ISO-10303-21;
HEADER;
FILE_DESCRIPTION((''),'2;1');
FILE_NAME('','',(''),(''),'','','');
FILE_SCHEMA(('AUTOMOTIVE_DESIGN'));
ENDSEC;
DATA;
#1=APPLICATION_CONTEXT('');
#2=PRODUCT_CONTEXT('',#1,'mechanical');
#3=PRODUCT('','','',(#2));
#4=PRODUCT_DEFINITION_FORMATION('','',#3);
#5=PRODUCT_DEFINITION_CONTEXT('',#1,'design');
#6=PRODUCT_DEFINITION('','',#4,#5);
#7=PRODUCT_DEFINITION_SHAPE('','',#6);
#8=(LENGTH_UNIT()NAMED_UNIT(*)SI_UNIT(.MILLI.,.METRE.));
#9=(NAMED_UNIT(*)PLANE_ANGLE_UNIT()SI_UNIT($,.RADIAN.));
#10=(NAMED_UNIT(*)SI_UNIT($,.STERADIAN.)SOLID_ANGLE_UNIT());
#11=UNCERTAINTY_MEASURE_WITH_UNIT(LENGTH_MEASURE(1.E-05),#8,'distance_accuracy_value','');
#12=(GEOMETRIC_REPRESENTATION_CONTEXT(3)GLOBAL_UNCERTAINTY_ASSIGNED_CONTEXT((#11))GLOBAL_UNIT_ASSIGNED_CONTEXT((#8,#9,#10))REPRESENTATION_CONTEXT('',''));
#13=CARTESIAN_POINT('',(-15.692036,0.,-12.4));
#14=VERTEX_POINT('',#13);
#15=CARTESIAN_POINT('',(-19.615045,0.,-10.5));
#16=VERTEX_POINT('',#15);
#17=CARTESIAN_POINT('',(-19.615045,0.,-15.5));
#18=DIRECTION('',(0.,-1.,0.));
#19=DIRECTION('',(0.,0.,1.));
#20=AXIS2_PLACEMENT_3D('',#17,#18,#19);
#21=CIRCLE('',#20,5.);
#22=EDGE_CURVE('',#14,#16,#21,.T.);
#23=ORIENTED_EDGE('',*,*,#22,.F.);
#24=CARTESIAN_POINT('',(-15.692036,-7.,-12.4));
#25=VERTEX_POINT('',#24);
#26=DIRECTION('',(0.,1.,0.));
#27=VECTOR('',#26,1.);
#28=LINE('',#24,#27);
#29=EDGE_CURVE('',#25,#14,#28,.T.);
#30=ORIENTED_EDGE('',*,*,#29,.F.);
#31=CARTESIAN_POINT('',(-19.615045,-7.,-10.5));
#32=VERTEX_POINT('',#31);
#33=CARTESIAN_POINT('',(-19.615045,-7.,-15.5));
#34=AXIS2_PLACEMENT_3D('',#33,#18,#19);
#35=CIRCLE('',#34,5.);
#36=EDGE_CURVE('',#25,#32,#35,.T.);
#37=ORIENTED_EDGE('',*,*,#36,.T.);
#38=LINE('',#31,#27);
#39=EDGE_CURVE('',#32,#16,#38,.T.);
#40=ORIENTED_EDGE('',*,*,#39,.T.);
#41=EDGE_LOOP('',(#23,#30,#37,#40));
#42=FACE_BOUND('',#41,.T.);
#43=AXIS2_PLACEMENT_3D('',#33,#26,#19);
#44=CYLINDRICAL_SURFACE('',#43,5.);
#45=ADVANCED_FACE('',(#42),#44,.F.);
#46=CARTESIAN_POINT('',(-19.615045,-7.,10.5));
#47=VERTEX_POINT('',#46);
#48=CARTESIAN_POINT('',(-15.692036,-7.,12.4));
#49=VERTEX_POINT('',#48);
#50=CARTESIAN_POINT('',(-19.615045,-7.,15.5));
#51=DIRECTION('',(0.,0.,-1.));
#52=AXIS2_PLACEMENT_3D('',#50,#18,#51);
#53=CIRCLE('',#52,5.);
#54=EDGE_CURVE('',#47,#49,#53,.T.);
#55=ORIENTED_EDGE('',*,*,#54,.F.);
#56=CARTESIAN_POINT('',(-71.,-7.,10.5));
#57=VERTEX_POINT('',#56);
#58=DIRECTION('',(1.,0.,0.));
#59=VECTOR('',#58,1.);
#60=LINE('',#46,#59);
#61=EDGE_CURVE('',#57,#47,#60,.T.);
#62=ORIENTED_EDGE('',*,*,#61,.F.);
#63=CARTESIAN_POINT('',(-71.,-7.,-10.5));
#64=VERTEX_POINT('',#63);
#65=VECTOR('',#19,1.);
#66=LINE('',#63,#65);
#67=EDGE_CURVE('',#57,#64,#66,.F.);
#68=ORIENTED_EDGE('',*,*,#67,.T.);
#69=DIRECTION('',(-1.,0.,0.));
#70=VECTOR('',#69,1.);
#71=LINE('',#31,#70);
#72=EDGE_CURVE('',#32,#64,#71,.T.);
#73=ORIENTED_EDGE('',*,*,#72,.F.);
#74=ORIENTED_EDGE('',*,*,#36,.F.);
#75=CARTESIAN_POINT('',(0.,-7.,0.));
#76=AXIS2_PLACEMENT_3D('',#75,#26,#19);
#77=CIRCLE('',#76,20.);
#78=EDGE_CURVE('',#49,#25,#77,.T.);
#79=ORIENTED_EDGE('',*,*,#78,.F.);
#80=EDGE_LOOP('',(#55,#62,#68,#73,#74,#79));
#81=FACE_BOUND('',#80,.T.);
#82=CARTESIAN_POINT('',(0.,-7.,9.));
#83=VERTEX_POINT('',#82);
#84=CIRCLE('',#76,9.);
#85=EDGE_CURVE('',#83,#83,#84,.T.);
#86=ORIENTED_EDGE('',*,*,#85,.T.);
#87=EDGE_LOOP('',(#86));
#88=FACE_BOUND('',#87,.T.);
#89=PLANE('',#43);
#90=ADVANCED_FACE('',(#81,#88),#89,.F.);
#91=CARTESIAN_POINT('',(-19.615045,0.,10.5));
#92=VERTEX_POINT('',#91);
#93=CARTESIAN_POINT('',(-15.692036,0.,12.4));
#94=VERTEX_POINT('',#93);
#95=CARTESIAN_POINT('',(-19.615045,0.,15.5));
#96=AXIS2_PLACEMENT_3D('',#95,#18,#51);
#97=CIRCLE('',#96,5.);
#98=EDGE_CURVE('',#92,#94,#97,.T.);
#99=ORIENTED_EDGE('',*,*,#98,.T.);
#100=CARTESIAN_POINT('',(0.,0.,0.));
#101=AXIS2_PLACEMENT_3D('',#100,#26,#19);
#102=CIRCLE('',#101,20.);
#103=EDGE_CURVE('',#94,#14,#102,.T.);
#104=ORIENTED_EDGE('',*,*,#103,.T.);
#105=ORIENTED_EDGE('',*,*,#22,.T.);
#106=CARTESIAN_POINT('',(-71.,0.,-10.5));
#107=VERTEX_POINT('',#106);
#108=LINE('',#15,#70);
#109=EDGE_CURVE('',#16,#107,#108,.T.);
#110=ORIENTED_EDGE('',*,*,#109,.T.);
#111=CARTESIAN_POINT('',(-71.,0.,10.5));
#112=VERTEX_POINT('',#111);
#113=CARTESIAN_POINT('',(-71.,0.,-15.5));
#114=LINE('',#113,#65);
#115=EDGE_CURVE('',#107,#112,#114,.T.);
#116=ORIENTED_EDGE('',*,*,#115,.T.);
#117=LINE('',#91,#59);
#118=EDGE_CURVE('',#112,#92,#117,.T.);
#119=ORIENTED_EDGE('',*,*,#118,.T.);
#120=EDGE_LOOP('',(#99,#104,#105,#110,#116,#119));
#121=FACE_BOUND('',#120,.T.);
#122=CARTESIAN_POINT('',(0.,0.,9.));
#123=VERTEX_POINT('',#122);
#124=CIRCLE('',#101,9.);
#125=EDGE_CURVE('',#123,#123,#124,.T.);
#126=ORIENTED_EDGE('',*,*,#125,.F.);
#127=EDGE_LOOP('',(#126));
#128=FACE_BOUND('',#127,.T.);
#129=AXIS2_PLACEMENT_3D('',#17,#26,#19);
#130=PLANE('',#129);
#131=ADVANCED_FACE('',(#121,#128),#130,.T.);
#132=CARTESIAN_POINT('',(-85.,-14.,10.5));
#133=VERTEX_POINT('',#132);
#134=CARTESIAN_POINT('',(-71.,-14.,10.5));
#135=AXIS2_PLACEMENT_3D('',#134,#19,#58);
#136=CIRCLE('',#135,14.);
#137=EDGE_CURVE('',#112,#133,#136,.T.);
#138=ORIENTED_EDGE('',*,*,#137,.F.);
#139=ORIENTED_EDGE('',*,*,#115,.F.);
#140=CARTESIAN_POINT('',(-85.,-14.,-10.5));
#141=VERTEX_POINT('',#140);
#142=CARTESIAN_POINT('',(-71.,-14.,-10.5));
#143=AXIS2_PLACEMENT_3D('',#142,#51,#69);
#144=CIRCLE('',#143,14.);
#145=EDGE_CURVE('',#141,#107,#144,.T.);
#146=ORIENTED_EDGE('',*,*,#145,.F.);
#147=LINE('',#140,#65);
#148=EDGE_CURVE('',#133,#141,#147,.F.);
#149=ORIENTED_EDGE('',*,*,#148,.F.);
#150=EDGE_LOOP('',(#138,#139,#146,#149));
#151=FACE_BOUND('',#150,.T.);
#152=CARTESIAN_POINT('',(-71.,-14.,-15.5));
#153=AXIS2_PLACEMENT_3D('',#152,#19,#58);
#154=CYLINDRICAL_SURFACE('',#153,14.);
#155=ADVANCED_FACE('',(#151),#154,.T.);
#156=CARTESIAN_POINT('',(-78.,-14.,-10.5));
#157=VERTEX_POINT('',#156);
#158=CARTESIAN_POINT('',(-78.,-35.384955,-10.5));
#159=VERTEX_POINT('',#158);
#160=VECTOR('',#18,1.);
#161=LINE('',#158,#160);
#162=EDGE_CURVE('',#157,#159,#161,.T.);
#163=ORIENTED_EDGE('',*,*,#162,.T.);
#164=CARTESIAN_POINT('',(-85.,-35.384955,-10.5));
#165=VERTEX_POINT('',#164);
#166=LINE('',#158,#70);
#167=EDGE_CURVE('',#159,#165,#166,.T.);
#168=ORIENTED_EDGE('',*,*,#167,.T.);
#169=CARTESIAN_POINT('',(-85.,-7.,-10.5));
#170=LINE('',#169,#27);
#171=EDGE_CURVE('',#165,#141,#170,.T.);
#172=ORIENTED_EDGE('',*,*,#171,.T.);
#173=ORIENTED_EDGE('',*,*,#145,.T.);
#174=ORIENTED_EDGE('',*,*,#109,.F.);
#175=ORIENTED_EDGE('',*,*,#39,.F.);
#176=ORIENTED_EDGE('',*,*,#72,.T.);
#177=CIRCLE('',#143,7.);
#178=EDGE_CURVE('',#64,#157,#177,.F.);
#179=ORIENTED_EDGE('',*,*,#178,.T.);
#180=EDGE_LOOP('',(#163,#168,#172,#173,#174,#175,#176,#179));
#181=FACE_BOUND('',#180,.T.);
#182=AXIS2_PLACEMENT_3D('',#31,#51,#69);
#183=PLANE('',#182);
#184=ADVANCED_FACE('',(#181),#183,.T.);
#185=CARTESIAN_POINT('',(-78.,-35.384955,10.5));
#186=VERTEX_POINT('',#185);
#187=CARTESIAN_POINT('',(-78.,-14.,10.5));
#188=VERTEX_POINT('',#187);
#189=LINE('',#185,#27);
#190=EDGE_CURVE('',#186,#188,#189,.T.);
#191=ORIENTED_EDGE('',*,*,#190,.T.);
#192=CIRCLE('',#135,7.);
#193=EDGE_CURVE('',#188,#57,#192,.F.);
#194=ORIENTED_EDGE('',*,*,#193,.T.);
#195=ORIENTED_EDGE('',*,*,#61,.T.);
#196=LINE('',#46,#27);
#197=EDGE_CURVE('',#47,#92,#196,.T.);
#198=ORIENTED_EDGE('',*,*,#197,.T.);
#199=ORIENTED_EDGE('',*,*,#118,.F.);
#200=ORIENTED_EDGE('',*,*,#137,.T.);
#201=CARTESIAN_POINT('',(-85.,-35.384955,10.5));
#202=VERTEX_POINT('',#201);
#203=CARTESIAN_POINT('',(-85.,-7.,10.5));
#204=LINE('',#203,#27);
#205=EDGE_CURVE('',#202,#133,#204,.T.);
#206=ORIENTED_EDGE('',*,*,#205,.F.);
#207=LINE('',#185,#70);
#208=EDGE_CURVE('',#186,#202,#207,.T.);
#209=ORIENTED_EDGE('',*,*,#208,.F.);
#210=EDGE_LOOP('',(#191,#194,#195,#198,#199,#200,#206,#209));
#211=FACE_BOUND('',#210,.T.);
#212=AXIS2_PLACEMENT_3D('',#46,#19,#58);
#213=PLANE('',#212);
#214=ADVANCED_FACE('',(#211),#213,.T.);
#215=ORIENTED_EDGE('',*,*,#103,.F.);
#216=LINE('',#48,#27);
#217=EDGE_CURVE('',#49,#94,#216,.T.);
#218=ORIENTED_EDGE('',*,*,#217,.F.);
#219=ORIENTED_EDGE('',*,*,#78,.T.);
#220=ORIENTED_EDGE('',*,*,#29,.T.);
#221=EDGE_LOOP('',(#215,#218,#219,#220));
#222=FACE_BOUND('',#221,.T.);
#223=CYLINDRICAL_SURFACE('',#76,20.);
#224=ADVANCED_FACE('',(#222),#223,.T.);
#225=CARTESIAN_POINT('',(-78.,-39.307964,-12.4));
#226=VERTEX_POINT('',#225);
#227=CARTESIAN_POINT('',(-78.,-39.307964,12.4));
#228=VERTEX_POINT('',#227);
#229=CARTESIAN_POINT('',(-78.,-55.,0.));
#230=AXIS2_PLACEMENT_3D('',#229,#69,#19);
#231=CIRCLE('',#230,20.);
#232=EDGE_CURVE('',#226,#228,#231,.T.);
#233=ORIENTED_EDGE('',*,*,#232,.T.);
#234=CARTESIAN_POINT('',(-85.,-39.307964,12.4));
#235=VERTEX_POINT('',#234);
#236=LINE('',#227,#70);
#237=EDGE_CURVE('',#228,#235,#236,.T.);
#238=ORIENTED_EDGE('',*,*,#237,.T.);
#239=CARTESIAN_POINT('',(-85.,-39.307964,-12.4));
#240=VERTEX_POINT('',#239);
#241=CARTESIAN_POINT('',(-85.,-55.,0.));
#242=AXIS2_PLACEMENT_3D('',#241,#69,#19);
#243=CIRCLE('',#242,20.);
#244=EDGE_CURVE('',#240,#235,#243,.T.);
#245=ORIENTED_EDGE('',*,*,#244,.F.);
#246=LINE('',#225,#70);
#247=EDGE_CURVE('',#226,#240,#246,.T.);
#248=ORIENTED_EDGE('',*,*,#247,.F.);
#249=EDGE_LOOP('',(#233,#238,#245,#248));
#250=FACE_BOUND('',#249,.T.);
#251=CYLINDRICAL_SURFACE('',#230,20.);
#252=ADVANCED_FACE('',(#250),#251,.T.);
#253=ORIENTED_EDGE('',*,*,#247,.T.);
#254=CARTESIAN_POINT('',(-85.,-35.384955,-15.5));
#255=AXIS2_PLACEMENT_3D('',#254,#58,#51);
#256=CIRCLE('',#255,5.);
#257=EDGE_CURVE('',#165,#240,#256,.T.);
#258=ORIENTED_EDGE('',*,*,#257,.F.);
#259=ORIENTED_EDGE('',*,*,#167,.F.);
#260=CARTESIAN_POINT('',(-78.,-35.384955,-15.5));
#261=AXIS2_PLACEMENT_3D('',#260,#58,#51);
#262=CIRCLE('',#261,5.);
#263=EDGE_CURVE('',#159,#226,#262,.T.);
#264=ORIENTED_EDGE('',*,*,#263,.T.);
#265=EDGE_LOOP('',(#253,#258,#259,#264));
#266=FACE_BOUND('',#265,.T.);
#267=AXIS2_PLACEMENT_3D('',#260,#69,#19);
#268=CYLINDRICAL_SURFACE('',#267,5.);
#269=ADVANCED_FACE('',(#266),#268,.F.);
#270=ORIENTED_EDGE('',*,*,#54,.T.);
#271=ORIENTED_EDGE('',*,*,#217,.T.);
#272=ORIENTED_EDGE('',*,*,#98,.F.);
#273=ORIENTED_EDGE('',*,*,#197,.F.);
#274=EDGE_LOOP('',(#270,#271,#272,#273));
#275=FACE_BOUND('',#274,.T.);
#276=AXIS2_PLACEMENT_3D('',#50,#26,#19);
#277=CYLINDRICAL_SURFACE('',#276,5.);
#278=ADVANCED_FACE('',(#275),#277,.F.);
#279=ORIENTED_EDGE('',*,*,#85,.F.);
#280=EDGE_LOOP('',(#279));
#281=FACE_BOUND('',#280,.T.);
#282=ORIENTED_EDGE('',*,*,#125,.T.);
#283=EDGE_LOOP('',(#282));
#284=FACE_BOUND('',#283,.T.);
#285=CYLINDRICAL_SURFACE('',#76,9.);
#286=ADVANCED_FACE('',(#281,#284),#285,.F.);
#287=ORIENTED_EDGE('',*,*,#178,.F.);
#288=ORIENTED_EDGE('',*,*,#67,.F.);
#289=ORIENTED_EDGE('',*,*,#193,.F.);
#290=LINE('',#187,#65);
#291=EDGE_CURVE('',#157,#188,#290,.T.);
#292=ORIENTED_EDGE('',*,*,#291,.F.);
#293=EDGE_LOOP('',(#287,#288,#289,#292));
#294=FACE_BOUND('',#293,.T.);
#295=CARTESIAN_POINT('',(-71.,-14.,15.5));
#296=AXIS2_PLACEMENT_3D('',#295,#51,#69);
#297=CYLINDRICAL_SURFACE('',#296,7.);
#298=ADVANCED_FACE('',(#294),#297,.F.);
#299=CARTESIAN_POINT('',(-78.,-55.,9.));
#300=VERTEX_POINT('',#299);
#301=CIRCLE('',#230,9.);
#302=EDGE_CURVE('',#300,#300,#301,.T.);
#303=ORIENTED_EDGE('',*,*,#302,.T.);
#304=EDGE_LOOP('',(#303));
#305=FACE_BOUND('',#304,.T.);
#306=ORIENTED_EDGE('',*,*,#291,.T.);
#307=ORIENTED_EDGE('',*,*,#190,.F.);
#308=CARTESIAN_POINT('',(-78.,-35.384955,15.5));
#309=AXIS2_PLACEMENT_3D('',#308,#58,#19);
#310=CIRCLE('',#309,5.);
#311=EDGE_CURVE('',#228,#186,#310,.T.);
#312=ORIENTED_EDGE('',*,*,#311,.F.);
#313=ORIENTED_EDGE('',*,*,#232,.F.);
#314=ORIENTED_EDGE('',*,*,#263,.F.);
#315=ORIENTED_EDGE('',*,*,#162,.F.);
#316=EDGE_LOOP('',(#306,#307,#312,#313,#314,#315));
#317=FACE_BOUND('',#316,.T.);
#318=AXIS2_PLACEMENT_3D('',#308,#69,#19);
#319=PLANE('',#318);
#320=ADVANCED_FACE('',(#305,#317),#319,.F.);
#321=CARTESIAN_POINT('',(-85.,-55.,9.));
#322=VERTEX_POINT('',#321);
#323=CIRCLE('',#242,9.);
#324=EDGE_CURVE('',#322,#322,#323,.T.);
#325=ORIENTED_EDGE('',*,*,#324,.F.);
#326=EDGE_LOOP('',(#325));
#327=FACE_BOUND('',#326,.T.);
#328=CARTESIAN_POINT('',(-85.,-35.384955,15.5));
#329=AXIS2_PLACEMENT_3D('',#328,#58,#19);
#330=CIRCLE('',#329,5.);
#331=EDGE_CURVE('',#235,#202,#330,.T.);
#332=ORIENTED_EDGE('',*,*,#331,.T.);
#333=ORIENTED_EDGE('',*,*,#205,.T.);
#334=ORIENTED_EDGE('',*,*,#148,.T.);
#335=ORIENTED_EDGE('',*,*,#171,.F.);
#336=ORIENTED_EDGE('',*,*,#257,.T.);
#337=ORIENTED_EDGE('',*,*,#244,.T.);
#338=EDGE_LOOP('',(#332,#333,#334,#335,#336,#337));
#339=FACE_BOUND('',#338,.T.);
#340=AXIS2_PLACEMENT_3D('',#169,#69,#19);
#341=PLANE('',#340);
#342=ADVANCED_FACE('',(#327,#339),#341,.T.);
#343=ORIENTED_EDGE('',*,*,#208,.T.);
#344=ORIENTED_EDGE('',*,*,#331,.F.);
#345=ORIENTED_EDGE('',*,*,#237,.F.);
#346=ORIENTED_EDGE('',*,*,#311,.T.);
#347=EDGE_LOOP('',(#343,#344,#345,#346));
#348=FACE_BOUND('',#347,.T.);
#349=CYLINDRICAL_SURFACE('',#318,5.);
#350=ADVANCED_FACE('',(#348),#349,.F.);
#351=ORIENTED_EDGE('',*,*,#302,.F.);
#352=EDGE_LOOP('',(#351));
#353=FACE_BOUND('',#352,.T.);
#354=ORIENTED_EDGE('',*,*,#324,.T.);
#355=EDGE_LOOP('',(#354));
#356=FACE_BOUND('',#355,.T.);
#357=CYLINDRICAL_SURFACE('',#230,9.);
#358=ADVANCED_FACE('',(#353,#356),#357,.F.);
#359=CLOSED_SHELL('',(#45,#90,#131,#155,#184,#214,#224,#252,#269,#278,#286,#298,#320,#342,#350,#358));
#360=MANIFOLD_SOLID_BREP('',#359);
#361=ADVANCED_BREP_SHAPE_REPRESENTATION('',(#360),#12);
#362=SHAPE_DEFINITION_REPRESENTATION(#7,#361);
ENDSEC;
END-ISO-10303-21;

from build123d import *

# Parameters (mm, degrees)
SKETCH1_R           = 9
BOSS_EXTRUDE1_DEPTH = 7
BOSS_EXTRUDE2_START = 85
SKETCH2_R           = 9
BOSS_EXTRUDE2_DEPTH = 7
FILLET1_R           = 14
FILLET2_R           = 7


with BuildPart() as part:
    # Sketch1 → Boss-Extrude1 (new body)
    with BuildSketch(Plane(origin=(0, 0, 0), x_dir=(1, 0, 0), z_dir=(0, 1, 0))):
        with BuildLine():
            Line((-19.615045246, 10.5), (-85, 10.5))
            Line((-85, 10.5), (-85, -10.5))
            Line((-85, -10.5), (-19.615045246, -10.5))
            ThreePointArc((-19.615045246, -10.5), (-17.435595774, -11), (-15.692036197, -12.4))
            ThreePointArc((-15.692036197, -12.4), (20, 0), (-15.692036197, 12.4))
            ThreePointArc((-15.692036197, 12.4), (-17.435595774, 11), (-19.615045246, 10.5))
        make_face()
        with Locations(Location((0, 0, 0), (0, 0, 270))):
            Circle(SKETCH1_R, mode=Mode.SUBTRACT)
    extrude(amount=-BOSS_EXTRUDE1_DEPTH)

    # Sketch2 → Boss-Extrude2 (add)
    with BuildSketch(Plane(origin=(0, -33.238764045, -33.238764045), x_dir=(0, -1, 0), z_dir=(-1, 0, 0)).offset(BOSS_EXTRUDE2_START)):
        with BuildLine():
            Line((2.146190709, 43.738764045), (-33.238764045, 43.738764045))
            Line((-33.238764045, 43.738764045), (-33.238764045, 22.738764045))
            Line((-33.238764045, 22.738764045), (2.146190709, 22.738764045))
            ThreePointArc((2.146190709, 22.738764045), (4.325640181, 22.238764045), (6.069199758, 20.838764045))
            ThreePointArc((6.069199758, 20.838764045), (41.761235955, 33.238764045), (6.069199758, 45.638764045))
            ThreePointArc((6.069199758, 45.638764045), (4.325640181, 44.238764045), (2.146190709, 43.738764045))
        make_face()
        with Locations(Location((21.761235955, 33.238764045, 0), (0, 0, 90))):
            Circle(SKETCH2_R, mode=Mode.SUBTRACT)
    extrude(amount=-BOSS_EXTRUDE2_DEPTH)

    # Fillet1
    fillet1_edges = [part.edges().sort_by_distance(p)[0] for p in [
        (-85, 0, 0),
    ]]
    fillet(fillet1_edges, radius=FILLET1_R)

    # Fillet2
    fillet2_edges = [part.edges().sort_by_distance(p)[0] for p in [
        (-78, -7, 0),
    ]]
    fillet(fillet2_edges, radius=FILLET2_R)


solid = part.part
